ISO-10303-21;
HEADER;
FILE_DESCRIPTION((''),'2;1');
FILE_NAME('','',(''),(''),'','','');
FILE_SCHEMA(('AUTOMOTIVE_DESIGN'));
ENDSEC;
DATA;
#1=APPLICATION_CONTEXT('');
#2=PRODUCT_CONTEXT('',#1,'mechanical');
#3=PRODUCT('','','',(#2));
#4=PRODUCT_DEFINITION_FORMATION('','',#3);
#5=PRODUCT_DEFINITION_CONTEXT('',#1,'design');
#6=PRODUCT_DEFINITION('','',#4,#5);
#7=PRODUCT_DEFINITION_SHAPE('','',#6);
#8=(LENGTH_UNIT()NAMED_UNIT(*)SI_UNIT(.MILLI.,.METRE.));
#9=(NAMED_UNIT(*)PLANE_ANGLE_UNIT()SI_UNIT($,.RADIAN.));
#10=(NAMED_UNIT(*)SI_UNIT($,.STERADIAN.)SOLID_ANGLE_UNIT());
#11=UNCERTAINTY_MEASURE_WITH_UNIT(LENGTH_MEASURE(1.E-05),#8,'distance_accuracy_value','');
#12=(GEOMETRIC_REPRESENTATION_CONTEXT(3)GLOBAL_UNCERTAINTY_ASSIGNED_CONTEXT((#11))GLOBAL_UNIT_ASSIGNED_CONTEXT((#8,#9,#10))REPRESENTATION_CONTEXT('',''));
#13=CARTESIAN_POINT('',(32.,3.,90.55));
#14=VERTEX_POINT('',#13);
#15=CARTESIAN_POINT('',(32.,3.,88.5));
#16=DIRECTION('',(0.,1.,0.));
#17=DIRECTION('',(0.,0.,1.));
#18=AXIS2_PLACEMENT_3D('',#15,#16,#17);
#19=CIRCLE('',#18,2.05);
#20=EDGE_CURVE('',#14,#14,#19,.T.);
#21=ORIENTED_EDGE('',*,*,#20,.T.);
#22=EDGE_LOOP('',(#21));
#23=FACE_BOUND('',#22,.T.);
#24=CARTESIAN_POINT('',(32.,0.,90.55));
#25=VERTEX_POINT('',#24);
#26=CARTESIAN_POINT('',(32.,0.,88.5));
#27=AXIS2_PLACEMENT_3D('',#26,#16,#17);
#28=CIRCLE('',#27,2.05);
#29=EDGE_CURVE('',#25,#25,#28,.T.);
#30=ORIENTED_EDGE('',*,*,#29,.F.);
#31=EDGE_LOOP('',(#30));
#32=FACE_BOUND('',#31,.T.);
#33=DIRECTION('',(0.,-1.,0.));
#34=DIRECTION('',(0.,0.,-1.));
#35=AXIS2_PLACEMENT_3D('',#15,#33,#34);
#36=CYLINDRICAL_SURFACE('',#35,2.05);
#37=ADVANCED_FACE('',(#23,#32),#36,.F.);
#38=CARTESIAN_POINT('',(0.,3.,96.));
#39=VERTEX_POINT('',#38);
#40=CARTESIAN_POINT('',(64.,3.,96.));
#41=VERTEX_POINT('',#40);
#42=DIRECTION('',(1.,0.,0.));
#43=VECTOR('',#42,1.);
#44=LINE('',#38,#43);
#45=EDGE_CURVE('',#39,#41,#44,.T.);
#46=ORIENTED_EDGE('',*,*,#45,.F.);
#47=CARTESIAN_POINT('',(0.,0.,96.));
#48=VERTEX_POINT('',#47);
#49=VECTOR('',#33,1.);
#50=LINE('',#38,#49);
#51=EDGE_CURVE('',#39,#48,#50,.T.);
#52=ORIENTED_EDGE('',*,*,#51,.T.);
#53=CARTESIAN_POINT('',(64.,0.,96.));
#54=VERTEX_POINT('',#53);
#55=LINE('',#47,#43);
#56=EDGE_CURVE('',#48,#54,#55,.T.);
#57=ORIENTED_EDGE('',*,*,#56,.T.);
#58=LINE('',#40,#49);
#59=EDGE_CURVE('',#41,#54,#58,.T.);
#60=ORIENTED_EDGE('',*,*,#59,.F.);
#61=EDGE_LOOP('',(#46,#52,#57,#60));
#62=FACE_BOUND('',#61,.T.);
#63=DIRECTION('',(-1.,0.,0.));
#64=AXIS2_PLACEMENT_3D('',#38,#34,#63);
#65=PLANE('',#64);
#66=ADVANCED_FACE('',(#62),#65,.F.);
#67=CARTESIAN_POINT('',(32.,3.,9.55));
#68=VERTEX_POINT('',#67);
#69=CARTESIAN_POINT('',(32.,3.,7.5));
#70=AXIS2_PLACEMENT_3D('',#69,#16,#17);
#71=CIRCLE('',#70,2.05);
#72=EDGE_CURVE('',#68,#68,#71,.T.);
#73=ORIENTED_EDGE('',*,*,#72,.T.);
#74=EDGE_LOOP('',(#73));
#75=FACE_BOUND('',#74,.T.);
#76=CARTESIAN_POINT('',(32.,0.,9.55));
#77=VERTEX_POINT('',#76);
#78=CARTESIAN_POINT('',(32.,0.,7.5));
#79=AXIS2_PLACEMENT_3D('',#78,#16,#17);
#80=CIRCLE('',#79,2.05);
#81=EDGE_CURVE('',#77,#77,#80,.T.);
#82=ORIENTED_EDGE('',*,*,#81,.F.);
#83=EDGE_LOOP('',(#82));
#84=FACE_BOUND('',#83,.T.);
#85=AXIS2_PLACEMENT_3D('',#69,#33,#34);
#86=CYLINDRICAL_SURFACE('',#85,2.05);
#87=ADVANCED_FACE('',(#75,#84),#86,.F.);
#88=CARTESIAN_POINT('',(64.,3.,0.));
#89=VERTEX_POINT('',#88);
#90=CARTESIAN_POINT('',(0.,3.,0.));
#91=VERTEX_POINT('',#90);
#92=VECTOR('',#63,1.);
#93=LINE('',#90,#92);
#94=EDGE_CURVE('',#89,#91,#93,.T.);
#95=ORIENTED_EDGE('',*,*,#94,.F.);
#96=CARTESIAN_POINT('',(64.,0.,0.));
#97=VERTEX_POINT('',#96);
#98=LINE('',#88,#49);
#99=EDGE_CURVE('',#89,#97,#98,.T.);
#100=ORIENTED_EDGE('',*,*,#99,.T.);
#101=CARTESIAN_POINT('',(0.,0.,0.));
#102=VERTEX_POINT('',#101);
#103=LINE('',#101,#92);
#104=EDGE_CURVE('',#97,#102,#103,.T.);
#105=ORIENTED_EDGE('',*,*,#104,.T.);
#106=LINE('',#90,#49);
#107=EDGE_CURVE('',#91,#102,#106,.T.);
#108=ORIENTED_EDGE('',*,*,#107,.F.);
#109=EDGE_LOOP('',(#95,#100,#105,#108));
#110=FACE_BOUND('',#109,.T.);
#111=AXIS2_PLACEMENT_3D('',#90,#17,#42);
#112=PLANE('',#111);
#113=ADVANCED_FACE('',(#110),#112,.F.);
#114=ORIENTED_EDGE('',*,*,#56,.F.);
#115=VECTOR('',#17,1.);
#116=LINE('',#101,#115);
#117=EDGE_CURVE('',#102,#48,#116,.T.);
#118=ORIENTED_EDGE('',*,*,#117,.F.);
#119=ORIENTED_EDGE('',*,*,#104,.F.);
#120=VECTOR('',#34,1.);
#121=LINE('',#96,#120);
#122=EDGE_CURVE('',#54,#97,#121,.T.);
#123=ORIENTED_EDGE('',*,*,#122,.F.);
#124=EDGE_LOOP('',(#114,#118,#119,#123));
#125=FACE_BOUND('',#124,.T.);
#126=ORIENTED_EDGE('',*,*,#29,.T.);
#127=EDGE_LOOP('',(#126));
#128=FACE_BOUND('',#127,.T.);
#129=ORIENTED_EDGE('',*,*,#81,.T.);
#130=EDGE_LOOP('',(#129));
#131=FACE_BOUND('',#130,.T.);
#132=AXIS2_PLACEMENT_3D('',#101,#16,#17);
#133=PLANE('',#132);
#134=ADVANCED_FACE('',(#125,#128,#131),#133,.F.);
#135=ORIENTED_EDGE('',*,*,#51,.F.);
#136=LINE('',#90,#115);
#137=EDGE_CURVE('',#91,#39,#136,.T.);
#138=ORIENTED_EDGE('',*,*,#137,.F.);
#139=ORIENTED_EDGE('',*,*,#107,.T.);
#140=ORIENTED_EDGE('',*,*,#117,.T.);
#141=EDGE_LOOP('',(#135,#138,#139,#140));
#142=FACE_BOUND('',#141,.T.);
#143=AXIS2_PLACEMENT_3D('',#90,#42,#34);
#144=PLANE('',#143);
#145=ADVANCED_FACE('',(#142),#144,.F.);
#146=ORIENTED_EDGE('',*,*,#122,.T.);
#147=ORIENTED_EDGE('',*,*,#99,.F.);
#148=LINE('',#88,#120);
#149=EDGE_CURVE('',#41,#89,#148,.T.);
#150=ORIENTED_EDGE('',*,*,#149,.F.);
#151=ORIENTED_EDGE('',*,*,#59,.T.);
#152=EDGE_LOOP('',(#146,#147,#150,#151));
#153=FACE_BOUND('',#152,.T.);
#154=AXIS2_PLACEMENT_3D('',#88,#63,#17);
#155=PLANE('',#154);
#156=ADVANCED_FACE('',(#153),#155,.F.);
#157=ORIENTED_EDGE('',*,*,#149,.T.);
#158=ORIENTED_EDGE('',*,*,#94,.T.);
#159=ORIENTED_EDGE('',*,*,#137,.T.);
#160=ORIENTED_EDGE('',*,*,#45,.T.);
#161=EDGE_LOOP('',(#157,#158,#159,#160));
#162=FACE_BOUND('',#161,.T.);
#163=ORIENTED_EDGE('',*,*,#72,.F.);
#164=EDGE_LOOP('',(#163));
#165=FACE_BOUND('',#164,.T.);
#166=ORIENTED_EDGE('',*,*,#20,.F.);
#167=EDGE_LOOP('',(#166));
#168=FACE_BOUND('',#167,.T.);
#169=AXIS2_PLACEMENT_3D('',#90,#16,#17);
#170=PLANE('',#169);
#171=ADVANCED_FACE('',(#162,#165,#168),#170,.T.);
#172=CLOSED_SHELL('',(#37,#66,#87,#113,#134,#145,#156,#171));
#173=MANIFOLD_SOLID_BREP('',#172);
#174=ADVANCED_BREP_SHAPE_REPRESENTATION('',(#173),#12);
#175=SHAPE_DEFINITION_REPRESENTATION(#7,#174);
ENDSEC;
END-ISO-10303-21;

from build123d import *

# Parameters (mm, degrees)
SKETCH1_W           = 64
SKETCH1_H           = 96
SKETCH1_R           = 2.05
BOSS_EXTRUDE1_DEPTH = 3


with BuildPart() as part:
    # Sketch1 → Boss-Extrude1 (new body)
    with BuildSketch(Plane(origin=(0, 0, 0), x_dir=(1, 0, 0), z_dir=(0, 1, 0))):
        with Locations((32, -48)):
            Rectangle(SKETCH1_W, SKETCH1_H)
        with Locations(Location((32, -7.5, 0), (0, 0, 270))):
            Circle(SKETCH1_R, mode=Mode.SUBTRACT)
        with Locations(Location((32, -88.5, 0), (0, 0, 270))):
            Circle(SKETCH1_R, mode=Mode.SUBTRACT)
    extrude(amount=BOSS_EXTRUDE1_DEPTH)


solid = part.part
